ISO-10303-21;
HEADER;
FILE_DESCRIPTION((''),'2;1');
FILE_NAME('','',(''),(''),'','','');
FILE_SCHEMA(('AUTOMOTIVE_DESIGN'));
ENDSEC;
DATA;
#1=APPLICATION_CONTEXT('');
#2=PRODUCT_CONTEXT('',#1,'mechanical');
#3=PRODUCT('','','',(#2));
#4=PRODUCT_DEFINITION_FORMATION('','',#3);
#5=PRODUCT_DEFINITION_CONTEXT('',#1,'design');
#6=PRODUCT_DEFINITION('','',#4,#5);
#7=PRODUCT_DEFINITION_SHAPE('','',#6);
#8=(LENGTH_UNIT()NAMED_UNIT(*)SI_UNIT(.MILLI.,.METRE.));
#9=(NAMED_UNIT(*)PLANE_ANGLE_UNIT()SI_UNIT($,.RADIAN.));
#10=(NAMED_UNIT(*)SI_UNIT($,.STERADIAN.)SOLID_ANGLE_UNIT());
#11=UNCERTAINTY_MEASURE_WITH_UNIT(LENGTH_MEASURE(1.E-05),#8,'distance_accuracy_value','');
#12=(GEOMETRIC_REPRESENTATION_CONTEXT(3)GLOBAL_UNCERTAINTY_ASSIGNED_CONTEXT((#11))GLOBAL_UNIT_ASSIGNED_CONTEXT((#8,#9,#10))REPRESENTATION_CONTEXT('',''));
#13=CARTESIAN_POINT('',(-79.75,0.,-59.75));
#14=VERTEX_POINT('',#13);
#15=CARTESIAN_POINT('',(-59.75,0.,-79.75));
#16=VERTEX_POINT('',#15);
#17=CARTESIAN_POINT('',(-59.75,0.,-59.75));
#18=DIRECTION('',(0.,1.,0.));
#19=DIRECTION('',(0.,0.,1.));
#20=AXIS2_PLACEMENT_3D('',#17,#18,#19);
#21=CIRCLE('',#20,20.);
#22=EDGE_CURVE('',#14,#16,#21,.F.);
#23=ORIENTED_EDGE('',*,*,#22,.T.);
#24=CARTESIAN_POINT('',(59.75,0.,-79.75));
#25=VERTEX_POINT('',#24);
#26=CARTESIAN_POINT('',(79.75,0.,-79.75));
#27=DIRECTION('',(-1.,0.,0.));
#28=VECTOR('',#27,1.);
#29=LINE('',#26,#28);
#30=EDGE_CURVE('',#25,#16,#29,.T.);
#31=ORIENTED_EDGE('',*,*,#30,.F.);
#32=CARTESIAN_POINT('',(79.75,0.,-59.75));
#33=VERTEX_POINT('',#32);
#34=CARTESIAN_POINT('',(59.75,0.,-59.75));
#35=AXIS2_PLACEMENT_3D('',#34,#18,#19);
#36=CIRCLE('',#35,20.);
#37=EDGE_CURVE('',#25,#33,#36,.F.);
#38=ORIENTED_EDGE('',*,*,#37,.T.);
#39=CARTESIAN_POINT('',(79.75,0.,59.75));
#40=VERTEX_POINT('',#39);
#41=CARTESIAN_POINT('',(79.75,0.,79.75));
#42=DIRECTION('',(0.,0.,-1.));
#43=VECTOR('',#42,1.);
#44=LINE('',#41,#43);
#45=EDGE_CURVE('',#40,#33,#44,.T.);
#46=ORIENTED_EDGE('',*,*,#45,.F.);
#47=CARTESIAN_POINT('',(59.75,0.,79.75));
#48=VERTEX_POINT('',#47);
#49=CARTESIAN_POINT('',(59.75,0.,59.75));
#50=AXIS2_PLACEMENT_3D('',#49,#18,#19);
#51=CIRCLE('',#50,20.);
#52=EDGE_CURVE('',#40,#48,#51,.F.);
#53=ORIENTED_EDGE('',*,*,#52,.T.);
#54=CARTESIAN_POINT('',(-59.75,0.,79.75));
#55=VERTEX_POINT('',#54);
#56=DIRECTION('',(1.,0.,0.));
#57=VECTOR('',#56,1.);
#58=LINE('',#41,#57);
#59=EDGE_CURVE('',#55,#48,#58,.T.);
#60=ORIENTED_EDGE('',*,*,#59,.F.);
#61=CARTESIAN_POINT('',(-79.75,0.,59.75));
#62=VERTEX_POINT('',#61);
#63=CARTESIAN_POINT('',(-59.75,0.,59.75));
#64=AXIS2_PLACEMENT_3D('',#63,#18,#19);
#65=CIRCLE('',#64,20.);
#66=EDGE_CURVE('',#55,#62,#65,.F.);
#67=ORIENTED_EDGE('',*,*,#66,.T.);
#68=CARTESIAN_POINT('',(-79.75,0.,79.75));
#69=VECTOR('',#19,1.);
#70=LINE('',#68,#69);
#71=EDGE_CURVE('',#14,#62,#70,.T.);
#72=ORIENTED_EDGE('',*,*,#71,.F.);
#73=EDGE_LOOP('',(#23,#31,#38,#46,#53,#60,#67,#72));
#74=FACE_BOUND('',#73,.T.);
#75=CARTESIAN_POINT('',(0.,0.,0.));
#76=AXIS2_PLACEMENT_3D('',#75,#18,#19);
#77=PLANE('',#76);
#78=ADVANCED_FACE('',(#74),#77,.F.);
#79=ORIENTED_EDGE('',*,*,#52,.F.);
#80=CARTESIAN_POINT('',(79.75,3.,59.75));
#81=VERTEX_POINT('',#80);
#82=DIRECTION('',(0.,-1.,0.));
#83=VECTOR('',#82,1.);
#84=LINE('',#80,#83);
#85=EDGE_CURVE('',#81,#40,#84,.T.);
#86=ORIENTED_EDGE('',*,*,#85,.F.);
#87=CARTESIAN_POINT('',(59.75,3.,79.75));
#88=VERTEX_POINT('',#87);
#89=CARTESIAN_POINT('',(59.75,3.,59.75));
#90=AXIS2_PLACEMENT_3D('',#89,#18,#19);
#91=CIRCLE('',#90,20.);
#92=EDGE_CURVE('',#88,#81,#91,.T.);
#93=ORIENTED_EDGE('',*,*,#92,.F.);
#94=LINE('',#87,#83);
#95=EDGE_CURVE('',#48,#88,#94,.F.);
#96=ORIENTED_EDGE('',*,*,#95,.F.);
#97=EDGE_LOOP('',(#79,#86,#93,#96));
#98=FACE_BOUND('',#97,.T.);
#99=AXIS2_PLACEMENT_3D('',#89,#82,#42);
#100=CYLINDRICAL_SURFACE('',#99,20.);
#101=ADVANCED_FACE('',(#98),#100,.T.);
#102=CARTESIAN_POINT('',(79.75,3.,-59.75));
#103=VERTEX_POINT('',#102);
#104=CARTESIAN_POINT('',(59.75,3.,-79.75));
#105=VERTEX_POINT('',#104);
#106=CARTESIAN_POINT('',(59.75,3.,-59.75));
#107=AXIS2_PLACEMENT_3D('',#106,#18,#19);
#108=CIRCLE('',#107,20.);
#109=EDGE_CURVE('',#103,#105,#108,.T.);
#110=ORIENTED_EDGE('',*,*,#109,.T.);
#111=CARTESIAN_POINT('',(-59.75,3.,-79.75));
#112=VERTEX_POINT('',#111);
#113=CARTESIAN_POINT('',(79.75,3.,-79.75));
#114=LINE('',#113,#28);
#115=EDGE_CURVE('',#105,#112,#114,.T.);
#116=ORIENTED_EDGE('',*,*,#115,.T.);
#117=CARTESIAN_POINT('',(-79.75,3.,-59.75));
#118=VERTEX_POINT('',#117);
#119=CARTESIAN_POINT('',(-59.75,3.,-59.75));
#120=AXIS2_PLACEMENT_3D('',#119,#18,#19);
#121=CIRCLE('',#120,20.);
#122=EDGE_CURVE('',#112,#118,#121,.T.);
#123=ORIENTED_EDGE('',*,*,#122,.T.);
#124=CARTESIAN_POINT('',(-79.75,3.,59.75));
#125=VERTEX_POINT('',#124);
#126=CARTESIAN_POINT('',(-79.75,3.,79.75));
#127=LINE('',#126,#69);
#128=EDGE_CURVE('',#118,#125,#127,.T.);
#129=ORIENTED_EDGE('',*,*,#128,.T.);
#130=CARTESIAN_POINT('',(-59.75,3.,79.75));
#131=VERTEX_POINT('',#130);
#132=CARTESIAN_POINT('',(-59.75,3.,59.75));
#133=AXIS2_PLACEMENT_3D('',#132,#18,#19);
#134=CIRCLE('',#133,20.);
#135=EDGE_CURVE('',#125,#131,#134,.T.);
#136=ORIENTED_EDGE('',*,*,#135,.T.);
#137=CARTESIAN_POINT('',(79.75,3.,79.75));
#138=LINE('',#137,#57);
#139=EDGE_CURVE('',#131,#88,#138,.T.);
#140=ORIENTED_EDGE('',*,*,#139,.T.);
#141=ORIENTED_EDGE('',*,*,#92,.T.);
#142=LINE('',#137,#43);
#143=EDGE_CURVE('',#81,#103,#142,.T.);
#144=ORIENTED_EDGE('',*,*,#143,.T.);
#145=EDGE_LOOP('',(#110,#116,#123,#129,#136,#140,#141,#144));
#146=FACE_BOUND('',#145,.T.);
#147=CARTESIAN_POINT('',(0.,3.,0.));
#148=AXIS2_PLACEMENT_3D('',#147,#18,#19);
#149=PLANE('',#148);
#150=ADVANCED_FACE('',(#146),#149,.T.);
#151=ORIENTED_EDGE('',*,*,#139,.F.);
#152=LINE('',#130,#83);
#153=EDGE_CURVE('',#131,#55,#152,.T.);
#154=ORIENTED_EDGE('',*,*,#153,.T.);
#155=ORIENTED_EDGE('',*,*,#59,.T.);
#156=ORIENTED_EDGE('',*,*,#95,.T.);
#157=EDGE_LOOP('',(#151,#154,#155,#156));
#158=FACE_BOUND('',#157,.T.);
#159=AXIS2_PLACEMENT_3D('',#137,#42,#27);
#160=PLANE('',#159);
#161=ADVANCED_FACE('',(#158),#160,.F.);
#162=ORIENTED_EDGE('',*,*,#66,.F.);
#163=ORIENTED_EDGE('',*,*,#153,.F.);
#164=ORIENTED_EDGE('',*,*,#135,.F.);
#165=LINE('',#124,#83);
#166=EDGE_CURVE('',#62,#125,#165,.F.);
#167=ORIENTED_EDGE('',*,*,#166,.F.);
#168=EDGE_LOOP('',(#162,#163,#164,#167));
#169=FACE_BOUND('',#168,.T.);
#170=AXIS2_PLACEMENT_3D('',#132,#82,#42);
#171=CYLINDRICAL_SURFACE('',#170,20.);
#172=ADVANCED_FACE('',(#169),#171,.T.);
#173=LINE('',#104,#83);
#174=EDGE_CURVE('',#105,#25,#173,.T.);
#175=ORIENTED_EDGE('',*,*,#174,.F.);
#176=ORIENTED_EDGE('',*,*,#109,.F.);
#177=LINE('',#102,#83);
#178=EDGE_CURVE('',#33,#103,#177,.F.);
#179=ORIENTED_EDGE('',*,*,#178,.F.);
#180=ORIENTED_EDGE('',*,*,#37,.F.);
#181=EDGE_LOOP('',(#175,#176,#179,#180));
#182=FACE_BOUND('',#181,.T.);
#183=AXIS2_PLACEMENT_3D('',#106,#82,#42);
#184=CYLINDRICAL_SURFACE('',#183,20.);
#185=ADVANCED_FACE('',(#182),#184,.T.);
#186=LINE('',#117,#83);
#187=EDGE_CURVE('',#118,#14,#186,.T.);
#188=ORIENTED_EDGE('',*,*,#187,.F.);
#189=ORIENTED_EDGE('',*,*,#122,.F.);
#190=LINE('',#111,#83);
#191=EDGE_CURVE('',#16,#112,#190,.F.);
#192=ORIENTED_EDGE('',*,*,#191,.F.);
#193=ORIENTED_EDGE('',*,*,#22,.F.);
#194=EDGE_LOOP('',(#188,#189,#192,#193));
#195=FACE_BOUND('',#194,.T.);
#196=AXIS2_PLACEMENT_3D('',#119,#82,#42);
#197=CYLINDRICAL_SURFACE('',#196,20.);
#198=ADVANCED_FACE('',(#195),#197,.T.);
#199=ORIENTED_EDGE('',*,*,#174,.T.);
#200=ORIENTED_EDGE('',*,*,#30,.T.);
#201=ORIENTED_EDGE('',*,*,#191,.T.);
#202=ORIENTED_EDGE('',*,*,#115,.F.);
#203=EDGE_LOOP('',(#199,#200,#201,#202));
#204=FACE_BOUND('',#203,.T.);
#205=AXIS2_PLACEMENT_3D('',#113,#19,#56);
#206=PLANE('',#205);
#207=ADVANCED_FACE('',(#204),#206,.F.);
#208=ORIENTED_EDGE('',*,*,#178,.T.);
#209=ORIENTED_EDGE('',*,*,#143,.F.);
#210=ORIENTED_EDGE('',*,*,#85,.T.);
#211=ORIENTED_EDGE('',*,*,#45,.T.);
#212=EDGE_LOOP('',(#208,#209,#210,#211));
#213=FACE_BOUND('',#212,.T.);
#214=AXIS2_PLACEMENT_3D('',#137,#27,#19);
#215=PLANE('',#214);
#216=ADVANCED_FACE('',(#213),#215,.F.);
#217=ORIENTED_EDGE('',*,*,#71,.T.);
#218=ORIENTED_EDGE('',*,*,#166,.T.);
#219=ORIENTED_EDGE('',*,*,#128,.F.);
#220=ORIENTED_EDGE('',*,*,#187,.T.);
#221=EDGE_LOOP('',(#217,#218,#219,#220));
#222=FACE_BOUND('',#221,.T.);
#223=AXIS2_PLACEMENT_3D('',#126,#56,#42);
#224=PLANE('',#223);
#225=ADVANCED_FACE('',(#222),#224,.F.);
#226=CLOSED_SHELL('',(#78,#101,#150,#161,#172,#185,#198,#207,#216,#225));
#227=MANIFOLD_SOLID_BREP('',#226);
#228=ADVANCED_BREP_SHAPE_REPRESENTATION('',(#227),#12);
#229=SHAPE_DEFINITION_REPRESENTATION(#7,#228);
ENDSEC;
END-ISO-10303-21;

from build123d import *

# Parameters (mm, degrees)
SKETCH_1_W      = 159.5
SKETCH_1_H      = 159.5
EXTRUDE_1_DEPTH = 3
FILLET_1_R      = 20


with BuildPart() as part:
    # 草图1 → 凸台-拉伸1 (new body)
    with BuildSketch(Plane(origin=(0, 0, 0), x_dir=(1, 0, 0), z_dir=(0, 1, 0))):
        Rectangle(SKETCH_1_W, SKETCH_1_H)
    extrude(amount=EXTRUDE_1_DEPTH)

    # 圆角1
    fillet_1_edges = [part.edges().sort_by_distance(p)[0] for p in [
        (-79.75, 1.5, -79.75),
        (79.75, 1.5, -79.75),
        (79.75, 1.5, 79.75),
        (-79.75, 1.5, 79.75),
    ]]
    fillet(fillet_1_edges, radius=FILLET_1_R)


solid = part.part
